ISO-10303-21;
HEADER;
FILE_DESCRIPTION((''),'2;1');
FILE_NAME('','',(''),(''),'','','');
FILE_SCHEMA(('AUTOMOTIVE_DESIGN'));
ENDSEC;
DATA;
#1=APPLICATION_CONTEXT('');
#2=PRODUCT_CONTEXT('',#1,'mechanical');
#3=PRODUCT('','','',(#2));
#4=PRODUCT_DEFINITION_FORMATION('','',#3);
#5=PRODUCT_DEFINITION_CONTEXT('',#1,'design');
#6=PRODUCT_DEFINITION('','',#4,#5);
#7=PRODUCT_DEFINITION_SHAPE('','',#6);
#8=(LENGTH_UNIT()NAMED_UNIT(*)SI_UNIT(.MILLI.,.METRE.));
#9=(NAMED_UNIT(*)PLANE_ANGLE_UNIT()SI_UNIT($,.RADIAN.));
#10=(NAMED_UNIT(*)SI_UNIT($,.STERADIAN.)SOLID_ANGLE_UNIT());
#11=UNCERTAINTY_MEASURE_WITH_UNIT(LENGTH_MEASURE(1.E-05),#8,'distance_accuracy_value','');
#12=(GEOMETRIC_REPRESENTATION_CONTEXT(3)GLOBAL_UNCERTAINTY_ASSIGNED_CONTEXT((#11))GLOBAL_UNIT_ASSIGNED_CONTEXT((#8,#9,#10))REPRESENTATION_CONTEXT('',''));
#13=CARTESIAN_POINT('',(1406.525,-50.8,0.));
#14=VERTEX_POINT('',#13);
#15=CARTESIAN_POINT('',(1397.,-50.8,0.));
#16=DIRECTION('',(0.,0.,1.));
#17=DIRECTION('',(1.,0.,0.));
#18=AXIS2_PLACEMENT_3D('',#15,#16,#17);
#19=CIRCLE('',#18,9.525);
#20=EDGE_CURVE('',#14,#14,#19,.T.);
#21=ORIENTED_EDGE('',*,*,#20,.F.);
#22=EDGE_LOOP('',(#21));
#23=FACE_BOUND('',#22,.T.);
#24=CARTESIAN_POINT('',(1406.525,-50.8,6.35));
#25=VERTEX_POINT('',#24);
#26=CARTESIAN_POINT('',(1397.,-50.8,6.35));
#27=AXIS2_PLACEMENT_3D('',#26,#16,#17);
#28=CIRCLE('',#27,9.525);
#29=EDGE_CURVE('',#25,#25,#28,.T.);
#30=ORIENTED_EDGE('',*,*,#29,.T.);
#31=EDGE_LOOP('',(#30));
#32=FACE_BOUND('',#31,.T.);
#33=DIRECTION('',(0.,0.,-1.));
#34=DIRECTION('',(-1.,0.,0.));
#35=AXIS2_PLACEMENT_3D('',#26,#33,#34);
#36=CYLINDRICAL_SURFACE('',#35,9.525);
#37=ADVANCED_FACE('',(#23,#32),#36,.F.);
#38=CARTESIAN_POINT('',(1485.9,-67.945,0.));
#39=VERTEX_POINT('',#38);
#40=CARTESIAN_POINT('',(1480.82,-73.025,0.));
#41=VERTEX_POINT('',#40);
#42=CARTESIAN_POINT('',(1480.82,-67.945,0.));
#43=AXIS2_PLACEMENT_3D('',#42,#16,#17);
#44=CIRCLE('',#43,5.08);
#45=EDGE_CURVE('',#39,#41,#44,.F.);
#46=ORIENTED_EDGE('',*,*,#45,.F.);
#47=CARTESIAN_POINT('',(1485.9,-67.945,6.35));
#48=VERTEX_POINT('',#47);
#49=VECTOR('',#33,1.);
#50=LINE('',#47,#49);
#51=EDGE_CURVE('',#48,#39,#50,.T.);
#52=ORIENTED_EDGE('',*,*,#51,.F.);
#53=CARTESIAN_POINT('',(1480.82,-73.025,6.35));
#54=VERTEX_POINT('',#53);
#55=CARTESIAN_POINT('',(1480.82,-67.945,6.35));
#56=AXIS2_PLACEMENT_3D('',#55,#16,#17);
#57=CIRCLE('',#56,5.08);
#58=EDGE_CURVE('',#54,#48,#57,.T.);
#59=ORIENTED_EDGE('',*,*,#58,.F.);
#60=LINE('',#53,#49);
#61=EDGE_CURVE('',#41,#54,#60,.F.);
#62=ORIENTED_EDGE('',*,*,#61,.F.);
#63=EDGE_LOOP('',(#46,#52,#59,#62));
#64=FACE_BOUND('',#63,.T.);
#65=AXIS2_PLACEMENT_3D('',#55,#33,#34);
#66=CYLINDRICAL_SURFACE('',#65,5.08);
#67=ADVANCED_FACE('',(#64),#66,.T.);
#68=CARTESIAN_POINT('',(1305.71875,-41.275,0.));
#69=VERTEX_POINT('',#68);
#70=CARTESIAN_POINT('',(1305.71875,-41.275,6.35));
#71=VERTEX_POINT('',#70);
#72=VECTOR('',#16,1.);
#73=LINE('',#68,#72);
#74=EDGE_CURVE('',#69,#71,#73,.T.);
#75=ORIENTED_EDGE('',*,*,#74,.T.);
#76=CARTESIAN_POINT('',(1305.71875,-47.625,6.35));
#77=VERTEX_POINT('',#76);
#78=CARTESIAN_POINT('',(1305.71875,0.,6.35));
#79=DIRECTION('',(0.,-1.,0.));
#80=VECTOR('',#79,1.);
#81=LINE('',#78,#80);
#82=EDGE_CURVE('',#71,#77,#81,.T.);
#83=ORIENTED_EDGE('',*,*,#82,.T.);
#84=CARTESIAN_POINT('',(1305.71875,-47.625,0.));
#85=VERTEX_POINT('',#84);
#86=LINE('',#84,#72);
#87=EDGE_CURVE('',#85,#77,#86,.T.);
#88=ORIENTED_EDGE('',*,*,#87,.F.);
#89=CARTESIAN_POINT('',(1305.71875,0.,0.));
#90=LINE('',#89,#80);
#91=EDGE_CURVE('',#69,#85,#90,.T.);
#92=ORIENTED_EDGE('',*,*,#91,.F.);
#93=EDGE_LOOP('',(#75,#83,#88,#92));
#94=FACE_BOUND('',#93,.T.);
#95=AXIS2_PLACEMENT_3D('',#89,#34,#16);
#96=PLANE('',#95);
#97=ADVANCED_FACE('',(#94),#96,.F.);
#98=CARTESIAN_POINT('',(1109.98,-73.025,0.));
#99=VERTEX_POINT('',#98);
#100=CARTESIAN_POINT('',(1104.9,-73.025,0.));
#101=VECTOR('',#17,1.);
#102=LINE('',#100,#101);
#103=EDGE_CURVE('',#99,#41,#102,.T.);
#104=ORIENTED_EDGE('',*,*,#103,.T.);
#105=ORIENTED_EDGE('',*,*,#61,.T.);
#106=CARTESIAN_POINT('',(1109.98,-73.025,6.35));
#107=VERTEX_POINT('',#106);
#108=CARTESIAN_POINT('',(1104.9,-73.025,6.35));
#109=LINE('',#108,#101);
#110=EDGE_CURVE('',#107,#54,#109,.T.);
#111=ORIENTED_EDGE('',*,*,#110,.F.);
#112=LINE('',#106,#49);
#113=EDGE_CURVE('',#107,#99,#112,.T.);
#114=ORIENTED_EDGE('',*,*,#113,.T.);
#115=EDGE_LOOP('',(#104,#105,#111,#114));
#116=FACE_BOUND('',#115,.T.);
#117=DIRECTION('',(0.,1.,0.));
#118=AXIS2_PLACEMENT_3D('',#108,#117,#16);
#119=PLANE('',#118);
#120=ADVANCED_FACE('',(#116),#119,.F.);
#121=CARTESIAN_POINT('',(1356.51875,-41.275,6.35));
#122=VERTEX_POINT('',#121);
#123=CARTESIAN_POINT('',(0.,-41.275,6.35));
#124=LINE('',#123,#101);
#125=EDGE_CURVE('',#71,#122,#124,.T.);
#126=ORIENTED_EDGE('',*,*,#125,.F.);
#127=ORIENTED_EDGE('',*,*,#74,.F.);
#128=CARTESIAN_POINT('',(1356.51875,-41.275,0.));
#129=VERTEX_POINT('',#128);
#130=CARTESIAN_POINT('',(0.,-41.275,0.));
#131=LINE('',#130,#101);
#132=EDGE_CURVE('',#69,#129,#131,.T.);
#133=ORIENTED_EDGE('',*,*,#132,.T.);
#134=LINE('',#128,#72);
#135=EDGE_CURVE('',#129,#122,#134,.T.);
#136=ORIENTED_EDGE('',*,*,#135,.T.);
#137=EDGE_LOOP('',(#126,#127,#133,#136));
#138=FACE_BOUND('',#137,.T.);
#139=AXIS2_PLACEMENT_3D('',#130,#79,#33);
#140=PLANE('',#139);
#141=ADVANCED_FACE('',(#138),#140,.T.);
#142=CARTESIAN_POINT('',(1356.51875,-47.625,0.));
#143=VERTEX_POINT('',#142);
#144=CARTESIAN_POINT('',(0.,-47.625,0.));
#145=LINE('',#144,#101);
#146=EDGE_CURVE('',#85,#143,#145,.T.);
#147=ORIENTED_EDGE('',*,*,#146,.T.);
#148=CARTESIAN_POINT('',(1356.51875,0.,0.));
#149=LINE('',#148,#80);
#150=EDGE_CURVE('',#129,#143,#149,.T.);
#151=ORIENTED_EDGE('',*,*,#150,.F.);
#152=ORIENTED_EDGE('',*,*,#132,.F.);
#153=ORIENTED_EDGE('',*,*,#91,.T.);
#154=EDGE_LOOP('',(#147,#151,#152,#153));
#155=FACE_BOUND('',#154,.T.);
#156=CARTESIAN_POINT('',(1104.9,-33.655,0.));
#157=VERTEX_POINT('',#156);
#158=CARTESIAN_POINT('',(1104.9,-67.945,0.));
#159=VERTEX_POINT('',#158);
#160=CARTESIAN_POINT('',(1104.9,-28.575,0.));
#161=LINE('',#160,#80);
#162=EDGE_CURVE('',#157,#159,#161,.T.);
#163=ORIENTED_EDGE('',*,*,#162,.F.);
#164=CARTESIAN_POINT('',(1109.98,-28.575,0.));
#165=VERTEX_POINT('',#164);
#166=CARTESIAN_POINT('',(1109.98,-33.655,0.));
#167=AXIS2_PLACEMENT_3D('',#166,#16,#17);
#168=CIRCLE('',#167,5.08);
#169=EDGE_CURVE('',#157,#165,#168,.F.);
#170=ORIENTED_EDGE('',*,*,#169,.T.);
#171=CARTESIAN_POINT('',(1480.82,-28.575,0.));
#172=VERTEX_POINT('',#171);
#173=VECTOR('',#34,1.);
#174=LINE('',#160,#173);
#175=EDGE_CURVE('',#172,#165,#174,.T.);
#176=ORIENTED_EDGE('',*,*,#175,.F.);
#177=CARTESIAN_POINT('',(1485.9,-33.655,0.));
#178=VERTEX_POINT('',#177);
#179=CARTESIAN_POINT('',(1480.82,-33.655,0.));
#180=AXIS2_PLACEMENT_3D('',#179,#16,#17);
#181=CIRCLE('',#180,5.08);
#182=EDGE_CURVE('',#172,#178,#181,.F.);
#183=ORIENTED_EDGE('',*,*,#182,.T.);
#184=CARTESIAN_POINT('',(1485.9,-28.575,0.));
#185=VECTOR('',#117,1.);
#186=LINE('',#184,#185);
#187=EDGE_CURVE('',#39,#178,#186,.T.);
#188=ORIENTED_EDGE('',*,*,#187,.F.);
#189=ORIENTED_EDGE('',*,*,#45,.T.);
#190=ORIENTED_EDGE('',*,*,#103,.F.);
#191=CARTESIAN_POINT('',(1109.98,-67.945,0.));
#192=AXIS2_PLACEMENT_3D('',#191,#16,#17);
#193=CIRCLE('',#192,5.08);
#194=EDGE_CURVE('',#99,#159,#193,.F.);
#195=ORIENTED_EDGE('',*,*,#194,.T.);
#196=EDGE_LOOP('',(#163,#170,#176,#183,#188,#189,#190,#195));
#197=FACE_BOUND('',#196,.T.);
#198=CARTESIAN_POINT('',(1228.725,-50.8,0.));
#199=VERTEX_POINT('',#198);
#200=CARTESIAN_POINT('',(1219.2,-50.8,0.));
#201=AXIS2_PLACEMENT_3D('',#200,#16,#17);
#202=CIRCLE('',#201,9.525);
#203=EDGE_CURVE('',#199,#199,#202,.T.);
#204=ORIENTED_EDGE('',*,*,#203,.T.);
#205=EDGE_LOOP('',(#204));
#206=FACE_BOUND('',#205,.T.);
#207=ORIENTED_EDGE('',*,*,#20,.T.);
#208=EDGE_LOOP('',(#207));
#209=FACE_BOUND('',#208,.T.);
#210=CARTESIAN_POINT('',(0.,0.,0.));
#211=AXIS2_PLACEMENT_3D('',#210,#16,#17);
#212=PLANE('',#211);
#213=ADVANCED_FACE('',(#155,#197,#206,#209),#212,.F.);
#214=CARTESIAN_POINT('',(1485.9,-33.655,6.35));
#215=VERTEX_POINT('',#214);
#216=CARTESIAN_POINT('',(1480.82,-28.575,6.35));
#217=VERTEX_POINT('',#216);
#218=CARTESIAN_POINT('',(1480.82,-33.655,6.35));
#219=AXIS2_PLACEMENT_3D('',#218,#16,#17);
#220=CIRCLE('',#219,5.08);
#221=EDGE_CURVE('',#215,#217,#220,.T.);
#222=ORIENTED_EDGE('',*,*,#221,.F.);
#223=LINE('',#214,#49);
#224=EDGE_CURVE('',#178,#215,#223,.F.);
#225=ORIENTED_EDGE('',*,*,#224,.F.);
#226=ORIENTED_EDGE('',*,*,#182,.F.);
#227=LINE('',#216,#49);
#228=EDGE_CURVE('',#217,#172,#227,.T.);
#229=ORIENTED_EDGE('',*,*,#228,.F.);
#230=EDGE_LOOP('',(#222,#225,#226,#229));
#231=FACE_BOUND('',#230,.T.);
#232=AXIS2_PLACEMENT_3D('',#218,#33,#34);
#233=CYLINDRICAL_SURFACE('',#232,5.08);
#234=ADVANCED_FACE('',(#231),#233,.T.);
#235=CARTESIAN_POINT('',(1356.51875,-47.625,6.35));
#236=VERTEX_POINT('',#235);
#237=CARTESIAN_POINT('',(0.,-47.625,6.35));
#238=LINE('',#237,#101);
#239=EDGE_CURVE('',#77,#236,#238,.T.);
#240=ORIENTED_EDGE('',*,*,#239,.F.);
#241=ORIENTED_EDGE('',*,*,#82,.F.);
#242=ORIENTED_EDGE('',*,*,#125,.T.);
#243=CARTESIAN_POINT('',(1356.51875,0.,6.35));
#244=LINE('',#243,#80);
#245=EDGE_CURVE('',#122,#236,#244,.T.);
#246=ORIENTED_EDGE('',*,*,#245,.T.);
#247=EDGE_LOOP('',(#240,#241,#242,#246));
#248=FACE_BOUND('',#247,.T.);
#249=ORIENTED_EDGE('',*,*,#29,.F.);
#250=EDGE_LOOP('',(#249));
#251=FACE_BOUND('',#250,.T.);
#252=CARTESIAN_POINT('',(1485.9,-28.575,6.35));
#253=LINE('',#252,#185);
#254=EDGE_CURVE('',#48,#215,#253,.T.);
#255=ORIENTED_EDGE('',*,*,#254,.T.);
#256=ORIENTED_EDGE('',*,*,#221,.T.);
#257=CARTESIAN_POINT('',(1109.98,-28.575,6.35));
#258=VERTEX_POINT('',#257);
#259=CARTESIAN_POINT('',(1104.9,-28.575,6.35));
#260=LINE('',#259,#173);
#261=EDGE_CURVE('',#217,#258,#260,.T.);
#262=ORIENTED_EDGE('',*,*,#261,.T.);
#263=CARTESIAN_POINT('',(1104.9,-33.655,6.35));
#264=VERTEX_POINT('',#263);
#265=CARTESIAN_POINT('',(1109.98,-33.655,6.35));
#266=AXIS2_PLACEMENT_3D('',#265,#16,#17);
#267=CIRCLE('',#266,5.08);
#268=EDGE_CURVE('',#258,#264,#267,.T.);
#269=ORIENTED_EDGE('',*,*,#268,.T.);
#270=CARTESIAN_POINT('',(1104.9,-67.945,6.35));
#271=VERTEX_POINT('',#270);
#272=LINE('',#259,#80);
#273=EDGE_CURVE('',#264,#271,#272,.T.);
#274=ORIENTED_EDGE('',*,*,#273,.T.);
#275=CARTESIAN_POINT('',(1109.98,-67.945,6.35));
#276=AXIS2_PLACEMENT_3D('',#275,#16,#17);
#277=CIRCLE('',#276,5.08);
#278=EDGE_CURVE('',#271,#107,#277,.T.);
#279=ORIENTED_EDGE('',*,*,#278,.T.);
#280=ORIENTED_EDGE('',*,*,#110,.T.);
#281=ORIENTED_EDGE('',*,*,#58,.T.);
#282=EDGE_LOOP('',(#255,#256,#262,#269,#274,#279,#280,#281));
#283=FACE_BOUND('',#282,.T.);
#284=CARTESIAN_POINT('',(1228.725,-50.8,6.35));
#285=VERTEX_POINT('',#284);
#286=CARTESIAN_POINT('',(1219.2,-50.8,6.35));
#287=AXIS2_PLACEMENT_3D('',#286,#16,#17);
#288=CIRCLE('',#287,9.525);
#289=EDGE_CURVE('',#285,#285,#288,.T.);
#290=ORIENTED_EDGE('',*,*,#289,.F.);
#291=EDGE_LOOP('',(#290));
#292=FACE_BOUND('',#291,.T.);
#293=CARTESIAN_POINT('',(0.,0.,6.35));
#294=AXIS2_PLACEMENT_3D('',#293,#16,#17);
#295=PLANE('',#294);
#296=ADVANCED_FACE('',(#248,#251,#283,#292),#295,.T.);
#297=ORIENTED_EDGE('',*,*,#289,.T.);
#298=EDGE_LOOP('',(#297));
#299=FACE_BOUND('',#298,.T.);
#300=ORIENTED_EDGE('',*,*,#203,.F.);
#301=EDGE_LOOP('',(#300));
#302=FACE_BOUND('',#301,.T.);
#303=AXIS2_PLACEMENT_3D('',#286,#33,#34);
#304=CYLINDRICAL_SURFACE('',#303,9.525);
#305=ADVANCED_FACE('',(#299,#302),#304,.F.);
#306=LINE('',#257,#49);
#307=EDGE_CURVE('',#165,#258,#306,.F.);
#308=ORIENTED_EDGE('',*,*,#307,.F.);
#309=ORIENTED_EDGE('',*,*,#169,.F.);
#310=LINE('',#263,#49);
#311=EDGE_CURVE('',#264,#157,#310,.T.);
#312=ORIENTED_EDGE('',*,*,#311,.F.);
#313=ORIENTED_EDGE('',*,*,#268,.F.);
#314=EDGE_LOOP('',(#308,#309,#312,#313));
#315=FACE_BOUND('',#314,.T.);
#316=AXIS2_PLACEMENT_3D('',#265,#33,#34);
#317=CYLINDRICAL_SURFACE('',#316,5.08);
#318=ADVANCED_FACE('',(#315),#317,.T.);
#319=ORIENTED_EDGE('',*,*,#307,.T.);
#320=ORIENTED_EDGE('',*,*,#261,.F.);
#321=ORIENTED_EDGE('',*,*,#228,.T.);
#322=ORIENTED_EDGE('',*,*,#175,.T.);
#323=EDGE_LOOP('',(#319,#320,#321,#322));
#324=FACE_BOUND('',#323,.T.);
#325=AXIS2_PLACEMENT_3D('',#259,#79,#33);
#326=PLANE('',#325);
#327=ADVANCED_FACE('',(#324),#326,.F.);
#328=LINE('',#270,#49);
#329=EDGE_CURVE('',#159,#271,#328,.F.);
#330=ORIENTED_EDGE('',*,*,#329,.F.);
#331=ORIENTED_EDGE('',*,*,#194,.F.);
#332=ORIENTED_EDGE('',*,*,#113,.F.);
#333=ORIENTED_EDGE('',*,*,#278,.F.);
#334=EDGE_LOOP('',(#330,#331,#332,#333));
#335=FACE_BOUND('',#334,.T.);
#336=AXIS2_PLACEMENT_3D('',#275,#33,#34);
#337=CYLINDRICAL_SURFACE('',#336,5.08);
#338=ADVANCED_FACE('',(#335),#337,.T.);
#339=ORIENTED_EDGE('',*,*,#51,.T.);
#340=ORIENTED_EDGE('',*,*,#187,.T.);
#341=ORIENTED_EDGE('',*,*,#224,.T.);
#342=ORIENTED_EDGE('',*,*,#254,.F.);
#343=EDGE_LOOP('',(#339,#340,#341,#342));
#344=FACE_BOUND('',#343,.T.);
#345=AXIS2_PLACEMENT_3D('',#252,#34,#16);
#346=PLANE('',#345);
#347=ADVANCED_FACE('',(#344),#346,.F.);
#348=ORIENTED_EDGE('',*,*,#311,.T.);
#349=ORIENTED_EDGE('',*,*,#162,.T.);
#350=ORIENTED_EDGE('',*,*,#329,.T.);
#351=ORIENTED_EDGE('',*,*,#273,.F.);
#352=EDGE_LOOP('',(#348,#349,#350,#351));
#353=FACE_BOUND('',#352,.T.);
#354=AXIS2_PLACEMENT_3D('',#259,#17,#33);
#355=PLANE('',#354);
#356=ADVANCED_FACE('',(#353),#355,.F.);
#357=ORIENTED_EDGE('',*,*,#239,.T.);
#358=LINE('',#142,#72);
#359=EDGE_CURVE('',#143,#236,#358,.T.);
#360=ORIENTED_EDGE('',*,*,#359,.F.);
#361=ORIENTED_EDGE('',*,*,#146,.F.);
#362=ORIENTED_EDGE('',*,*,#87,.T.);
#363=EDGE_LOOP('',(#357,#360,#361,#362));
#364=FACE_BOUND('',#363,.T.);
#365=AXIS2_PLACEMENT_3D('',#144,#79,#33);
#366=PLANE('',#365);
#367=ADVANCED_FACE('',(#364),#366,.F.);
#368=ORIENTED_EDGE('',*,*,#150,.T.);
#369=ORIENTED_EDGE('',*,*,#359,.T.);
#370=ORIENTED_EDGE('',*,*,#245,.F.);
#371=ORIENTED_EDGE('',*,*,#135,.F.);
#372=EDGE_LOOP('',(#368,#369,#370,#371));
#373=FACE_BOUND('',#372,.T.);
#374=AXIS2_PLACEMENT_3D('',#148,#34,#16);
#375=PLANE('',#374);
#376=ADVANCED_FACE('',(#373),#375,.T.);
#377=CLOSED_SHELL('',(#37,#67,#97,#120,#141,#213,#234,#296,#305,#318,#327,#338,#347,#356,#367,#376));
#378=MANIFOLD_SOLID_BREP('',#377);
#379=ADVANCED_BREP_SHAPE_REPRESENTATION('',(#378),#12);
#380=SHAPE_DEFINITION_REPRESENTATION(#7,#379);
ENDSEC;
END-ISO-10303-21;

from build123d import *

# Parameters (mm, degrees)
SKETCH1_W           = 381
SKETCH1_H           = 44.45
SKETCH1_R           = 9.525
BOSS_EXTRUDE1_DEPTH = 6.35
FILLET1_R           = 5.08
SKETCH2_W           = 50.8
SKETCH2_H           = 6.35
CUT_EXTRUDE1_DEPTH  = 7.35


with BuildPart() as part:
    # Sketch1 → Boss-Extrude1 (new body)
    with BuildSketch(Plane.XY):
        with Locations((1295.4, -50.8)):
            Rectangle(SKETCH1_W, SKETCH1_H)
        with Locations((1219.2, -50.8)):
            Circle(SKETCH1_R, mode=Mode.SUBTRACT)
        with Locations((1397, -50.8)):
            Circle(SKETCH1_R, mode=Mode.SUBTRACT)
    extrude(amount=BOSS_EXTRUDE1_DEPTH)

    # Fillet1
    fillet1_edges = [part.edges().sort_by_distance(p)[0] for p in [
        (1104.9, -28.575, 3.175),
        (1485.9, -28.575, 3.175),
        (1485.9, -73.025, 3.175),
        (1104.9, -73.025, 3.175),
    ]]
    fillet(fillet1_edges, radius=FILLET1_R)

    # Sketch2 → Cut-Extrude1 (cut, through all)
    with BuildSketch(Plane.XY.offset(6.35)):
        with Locations((1331.11875, -44.45)):
            Rectangle(SKETCH2_W, SKETCH2_H)
    extrude(amount=-CUT_EXTRUDE1_DEPTH, mode=Mode.SUBTRACT)


solid = part.part
